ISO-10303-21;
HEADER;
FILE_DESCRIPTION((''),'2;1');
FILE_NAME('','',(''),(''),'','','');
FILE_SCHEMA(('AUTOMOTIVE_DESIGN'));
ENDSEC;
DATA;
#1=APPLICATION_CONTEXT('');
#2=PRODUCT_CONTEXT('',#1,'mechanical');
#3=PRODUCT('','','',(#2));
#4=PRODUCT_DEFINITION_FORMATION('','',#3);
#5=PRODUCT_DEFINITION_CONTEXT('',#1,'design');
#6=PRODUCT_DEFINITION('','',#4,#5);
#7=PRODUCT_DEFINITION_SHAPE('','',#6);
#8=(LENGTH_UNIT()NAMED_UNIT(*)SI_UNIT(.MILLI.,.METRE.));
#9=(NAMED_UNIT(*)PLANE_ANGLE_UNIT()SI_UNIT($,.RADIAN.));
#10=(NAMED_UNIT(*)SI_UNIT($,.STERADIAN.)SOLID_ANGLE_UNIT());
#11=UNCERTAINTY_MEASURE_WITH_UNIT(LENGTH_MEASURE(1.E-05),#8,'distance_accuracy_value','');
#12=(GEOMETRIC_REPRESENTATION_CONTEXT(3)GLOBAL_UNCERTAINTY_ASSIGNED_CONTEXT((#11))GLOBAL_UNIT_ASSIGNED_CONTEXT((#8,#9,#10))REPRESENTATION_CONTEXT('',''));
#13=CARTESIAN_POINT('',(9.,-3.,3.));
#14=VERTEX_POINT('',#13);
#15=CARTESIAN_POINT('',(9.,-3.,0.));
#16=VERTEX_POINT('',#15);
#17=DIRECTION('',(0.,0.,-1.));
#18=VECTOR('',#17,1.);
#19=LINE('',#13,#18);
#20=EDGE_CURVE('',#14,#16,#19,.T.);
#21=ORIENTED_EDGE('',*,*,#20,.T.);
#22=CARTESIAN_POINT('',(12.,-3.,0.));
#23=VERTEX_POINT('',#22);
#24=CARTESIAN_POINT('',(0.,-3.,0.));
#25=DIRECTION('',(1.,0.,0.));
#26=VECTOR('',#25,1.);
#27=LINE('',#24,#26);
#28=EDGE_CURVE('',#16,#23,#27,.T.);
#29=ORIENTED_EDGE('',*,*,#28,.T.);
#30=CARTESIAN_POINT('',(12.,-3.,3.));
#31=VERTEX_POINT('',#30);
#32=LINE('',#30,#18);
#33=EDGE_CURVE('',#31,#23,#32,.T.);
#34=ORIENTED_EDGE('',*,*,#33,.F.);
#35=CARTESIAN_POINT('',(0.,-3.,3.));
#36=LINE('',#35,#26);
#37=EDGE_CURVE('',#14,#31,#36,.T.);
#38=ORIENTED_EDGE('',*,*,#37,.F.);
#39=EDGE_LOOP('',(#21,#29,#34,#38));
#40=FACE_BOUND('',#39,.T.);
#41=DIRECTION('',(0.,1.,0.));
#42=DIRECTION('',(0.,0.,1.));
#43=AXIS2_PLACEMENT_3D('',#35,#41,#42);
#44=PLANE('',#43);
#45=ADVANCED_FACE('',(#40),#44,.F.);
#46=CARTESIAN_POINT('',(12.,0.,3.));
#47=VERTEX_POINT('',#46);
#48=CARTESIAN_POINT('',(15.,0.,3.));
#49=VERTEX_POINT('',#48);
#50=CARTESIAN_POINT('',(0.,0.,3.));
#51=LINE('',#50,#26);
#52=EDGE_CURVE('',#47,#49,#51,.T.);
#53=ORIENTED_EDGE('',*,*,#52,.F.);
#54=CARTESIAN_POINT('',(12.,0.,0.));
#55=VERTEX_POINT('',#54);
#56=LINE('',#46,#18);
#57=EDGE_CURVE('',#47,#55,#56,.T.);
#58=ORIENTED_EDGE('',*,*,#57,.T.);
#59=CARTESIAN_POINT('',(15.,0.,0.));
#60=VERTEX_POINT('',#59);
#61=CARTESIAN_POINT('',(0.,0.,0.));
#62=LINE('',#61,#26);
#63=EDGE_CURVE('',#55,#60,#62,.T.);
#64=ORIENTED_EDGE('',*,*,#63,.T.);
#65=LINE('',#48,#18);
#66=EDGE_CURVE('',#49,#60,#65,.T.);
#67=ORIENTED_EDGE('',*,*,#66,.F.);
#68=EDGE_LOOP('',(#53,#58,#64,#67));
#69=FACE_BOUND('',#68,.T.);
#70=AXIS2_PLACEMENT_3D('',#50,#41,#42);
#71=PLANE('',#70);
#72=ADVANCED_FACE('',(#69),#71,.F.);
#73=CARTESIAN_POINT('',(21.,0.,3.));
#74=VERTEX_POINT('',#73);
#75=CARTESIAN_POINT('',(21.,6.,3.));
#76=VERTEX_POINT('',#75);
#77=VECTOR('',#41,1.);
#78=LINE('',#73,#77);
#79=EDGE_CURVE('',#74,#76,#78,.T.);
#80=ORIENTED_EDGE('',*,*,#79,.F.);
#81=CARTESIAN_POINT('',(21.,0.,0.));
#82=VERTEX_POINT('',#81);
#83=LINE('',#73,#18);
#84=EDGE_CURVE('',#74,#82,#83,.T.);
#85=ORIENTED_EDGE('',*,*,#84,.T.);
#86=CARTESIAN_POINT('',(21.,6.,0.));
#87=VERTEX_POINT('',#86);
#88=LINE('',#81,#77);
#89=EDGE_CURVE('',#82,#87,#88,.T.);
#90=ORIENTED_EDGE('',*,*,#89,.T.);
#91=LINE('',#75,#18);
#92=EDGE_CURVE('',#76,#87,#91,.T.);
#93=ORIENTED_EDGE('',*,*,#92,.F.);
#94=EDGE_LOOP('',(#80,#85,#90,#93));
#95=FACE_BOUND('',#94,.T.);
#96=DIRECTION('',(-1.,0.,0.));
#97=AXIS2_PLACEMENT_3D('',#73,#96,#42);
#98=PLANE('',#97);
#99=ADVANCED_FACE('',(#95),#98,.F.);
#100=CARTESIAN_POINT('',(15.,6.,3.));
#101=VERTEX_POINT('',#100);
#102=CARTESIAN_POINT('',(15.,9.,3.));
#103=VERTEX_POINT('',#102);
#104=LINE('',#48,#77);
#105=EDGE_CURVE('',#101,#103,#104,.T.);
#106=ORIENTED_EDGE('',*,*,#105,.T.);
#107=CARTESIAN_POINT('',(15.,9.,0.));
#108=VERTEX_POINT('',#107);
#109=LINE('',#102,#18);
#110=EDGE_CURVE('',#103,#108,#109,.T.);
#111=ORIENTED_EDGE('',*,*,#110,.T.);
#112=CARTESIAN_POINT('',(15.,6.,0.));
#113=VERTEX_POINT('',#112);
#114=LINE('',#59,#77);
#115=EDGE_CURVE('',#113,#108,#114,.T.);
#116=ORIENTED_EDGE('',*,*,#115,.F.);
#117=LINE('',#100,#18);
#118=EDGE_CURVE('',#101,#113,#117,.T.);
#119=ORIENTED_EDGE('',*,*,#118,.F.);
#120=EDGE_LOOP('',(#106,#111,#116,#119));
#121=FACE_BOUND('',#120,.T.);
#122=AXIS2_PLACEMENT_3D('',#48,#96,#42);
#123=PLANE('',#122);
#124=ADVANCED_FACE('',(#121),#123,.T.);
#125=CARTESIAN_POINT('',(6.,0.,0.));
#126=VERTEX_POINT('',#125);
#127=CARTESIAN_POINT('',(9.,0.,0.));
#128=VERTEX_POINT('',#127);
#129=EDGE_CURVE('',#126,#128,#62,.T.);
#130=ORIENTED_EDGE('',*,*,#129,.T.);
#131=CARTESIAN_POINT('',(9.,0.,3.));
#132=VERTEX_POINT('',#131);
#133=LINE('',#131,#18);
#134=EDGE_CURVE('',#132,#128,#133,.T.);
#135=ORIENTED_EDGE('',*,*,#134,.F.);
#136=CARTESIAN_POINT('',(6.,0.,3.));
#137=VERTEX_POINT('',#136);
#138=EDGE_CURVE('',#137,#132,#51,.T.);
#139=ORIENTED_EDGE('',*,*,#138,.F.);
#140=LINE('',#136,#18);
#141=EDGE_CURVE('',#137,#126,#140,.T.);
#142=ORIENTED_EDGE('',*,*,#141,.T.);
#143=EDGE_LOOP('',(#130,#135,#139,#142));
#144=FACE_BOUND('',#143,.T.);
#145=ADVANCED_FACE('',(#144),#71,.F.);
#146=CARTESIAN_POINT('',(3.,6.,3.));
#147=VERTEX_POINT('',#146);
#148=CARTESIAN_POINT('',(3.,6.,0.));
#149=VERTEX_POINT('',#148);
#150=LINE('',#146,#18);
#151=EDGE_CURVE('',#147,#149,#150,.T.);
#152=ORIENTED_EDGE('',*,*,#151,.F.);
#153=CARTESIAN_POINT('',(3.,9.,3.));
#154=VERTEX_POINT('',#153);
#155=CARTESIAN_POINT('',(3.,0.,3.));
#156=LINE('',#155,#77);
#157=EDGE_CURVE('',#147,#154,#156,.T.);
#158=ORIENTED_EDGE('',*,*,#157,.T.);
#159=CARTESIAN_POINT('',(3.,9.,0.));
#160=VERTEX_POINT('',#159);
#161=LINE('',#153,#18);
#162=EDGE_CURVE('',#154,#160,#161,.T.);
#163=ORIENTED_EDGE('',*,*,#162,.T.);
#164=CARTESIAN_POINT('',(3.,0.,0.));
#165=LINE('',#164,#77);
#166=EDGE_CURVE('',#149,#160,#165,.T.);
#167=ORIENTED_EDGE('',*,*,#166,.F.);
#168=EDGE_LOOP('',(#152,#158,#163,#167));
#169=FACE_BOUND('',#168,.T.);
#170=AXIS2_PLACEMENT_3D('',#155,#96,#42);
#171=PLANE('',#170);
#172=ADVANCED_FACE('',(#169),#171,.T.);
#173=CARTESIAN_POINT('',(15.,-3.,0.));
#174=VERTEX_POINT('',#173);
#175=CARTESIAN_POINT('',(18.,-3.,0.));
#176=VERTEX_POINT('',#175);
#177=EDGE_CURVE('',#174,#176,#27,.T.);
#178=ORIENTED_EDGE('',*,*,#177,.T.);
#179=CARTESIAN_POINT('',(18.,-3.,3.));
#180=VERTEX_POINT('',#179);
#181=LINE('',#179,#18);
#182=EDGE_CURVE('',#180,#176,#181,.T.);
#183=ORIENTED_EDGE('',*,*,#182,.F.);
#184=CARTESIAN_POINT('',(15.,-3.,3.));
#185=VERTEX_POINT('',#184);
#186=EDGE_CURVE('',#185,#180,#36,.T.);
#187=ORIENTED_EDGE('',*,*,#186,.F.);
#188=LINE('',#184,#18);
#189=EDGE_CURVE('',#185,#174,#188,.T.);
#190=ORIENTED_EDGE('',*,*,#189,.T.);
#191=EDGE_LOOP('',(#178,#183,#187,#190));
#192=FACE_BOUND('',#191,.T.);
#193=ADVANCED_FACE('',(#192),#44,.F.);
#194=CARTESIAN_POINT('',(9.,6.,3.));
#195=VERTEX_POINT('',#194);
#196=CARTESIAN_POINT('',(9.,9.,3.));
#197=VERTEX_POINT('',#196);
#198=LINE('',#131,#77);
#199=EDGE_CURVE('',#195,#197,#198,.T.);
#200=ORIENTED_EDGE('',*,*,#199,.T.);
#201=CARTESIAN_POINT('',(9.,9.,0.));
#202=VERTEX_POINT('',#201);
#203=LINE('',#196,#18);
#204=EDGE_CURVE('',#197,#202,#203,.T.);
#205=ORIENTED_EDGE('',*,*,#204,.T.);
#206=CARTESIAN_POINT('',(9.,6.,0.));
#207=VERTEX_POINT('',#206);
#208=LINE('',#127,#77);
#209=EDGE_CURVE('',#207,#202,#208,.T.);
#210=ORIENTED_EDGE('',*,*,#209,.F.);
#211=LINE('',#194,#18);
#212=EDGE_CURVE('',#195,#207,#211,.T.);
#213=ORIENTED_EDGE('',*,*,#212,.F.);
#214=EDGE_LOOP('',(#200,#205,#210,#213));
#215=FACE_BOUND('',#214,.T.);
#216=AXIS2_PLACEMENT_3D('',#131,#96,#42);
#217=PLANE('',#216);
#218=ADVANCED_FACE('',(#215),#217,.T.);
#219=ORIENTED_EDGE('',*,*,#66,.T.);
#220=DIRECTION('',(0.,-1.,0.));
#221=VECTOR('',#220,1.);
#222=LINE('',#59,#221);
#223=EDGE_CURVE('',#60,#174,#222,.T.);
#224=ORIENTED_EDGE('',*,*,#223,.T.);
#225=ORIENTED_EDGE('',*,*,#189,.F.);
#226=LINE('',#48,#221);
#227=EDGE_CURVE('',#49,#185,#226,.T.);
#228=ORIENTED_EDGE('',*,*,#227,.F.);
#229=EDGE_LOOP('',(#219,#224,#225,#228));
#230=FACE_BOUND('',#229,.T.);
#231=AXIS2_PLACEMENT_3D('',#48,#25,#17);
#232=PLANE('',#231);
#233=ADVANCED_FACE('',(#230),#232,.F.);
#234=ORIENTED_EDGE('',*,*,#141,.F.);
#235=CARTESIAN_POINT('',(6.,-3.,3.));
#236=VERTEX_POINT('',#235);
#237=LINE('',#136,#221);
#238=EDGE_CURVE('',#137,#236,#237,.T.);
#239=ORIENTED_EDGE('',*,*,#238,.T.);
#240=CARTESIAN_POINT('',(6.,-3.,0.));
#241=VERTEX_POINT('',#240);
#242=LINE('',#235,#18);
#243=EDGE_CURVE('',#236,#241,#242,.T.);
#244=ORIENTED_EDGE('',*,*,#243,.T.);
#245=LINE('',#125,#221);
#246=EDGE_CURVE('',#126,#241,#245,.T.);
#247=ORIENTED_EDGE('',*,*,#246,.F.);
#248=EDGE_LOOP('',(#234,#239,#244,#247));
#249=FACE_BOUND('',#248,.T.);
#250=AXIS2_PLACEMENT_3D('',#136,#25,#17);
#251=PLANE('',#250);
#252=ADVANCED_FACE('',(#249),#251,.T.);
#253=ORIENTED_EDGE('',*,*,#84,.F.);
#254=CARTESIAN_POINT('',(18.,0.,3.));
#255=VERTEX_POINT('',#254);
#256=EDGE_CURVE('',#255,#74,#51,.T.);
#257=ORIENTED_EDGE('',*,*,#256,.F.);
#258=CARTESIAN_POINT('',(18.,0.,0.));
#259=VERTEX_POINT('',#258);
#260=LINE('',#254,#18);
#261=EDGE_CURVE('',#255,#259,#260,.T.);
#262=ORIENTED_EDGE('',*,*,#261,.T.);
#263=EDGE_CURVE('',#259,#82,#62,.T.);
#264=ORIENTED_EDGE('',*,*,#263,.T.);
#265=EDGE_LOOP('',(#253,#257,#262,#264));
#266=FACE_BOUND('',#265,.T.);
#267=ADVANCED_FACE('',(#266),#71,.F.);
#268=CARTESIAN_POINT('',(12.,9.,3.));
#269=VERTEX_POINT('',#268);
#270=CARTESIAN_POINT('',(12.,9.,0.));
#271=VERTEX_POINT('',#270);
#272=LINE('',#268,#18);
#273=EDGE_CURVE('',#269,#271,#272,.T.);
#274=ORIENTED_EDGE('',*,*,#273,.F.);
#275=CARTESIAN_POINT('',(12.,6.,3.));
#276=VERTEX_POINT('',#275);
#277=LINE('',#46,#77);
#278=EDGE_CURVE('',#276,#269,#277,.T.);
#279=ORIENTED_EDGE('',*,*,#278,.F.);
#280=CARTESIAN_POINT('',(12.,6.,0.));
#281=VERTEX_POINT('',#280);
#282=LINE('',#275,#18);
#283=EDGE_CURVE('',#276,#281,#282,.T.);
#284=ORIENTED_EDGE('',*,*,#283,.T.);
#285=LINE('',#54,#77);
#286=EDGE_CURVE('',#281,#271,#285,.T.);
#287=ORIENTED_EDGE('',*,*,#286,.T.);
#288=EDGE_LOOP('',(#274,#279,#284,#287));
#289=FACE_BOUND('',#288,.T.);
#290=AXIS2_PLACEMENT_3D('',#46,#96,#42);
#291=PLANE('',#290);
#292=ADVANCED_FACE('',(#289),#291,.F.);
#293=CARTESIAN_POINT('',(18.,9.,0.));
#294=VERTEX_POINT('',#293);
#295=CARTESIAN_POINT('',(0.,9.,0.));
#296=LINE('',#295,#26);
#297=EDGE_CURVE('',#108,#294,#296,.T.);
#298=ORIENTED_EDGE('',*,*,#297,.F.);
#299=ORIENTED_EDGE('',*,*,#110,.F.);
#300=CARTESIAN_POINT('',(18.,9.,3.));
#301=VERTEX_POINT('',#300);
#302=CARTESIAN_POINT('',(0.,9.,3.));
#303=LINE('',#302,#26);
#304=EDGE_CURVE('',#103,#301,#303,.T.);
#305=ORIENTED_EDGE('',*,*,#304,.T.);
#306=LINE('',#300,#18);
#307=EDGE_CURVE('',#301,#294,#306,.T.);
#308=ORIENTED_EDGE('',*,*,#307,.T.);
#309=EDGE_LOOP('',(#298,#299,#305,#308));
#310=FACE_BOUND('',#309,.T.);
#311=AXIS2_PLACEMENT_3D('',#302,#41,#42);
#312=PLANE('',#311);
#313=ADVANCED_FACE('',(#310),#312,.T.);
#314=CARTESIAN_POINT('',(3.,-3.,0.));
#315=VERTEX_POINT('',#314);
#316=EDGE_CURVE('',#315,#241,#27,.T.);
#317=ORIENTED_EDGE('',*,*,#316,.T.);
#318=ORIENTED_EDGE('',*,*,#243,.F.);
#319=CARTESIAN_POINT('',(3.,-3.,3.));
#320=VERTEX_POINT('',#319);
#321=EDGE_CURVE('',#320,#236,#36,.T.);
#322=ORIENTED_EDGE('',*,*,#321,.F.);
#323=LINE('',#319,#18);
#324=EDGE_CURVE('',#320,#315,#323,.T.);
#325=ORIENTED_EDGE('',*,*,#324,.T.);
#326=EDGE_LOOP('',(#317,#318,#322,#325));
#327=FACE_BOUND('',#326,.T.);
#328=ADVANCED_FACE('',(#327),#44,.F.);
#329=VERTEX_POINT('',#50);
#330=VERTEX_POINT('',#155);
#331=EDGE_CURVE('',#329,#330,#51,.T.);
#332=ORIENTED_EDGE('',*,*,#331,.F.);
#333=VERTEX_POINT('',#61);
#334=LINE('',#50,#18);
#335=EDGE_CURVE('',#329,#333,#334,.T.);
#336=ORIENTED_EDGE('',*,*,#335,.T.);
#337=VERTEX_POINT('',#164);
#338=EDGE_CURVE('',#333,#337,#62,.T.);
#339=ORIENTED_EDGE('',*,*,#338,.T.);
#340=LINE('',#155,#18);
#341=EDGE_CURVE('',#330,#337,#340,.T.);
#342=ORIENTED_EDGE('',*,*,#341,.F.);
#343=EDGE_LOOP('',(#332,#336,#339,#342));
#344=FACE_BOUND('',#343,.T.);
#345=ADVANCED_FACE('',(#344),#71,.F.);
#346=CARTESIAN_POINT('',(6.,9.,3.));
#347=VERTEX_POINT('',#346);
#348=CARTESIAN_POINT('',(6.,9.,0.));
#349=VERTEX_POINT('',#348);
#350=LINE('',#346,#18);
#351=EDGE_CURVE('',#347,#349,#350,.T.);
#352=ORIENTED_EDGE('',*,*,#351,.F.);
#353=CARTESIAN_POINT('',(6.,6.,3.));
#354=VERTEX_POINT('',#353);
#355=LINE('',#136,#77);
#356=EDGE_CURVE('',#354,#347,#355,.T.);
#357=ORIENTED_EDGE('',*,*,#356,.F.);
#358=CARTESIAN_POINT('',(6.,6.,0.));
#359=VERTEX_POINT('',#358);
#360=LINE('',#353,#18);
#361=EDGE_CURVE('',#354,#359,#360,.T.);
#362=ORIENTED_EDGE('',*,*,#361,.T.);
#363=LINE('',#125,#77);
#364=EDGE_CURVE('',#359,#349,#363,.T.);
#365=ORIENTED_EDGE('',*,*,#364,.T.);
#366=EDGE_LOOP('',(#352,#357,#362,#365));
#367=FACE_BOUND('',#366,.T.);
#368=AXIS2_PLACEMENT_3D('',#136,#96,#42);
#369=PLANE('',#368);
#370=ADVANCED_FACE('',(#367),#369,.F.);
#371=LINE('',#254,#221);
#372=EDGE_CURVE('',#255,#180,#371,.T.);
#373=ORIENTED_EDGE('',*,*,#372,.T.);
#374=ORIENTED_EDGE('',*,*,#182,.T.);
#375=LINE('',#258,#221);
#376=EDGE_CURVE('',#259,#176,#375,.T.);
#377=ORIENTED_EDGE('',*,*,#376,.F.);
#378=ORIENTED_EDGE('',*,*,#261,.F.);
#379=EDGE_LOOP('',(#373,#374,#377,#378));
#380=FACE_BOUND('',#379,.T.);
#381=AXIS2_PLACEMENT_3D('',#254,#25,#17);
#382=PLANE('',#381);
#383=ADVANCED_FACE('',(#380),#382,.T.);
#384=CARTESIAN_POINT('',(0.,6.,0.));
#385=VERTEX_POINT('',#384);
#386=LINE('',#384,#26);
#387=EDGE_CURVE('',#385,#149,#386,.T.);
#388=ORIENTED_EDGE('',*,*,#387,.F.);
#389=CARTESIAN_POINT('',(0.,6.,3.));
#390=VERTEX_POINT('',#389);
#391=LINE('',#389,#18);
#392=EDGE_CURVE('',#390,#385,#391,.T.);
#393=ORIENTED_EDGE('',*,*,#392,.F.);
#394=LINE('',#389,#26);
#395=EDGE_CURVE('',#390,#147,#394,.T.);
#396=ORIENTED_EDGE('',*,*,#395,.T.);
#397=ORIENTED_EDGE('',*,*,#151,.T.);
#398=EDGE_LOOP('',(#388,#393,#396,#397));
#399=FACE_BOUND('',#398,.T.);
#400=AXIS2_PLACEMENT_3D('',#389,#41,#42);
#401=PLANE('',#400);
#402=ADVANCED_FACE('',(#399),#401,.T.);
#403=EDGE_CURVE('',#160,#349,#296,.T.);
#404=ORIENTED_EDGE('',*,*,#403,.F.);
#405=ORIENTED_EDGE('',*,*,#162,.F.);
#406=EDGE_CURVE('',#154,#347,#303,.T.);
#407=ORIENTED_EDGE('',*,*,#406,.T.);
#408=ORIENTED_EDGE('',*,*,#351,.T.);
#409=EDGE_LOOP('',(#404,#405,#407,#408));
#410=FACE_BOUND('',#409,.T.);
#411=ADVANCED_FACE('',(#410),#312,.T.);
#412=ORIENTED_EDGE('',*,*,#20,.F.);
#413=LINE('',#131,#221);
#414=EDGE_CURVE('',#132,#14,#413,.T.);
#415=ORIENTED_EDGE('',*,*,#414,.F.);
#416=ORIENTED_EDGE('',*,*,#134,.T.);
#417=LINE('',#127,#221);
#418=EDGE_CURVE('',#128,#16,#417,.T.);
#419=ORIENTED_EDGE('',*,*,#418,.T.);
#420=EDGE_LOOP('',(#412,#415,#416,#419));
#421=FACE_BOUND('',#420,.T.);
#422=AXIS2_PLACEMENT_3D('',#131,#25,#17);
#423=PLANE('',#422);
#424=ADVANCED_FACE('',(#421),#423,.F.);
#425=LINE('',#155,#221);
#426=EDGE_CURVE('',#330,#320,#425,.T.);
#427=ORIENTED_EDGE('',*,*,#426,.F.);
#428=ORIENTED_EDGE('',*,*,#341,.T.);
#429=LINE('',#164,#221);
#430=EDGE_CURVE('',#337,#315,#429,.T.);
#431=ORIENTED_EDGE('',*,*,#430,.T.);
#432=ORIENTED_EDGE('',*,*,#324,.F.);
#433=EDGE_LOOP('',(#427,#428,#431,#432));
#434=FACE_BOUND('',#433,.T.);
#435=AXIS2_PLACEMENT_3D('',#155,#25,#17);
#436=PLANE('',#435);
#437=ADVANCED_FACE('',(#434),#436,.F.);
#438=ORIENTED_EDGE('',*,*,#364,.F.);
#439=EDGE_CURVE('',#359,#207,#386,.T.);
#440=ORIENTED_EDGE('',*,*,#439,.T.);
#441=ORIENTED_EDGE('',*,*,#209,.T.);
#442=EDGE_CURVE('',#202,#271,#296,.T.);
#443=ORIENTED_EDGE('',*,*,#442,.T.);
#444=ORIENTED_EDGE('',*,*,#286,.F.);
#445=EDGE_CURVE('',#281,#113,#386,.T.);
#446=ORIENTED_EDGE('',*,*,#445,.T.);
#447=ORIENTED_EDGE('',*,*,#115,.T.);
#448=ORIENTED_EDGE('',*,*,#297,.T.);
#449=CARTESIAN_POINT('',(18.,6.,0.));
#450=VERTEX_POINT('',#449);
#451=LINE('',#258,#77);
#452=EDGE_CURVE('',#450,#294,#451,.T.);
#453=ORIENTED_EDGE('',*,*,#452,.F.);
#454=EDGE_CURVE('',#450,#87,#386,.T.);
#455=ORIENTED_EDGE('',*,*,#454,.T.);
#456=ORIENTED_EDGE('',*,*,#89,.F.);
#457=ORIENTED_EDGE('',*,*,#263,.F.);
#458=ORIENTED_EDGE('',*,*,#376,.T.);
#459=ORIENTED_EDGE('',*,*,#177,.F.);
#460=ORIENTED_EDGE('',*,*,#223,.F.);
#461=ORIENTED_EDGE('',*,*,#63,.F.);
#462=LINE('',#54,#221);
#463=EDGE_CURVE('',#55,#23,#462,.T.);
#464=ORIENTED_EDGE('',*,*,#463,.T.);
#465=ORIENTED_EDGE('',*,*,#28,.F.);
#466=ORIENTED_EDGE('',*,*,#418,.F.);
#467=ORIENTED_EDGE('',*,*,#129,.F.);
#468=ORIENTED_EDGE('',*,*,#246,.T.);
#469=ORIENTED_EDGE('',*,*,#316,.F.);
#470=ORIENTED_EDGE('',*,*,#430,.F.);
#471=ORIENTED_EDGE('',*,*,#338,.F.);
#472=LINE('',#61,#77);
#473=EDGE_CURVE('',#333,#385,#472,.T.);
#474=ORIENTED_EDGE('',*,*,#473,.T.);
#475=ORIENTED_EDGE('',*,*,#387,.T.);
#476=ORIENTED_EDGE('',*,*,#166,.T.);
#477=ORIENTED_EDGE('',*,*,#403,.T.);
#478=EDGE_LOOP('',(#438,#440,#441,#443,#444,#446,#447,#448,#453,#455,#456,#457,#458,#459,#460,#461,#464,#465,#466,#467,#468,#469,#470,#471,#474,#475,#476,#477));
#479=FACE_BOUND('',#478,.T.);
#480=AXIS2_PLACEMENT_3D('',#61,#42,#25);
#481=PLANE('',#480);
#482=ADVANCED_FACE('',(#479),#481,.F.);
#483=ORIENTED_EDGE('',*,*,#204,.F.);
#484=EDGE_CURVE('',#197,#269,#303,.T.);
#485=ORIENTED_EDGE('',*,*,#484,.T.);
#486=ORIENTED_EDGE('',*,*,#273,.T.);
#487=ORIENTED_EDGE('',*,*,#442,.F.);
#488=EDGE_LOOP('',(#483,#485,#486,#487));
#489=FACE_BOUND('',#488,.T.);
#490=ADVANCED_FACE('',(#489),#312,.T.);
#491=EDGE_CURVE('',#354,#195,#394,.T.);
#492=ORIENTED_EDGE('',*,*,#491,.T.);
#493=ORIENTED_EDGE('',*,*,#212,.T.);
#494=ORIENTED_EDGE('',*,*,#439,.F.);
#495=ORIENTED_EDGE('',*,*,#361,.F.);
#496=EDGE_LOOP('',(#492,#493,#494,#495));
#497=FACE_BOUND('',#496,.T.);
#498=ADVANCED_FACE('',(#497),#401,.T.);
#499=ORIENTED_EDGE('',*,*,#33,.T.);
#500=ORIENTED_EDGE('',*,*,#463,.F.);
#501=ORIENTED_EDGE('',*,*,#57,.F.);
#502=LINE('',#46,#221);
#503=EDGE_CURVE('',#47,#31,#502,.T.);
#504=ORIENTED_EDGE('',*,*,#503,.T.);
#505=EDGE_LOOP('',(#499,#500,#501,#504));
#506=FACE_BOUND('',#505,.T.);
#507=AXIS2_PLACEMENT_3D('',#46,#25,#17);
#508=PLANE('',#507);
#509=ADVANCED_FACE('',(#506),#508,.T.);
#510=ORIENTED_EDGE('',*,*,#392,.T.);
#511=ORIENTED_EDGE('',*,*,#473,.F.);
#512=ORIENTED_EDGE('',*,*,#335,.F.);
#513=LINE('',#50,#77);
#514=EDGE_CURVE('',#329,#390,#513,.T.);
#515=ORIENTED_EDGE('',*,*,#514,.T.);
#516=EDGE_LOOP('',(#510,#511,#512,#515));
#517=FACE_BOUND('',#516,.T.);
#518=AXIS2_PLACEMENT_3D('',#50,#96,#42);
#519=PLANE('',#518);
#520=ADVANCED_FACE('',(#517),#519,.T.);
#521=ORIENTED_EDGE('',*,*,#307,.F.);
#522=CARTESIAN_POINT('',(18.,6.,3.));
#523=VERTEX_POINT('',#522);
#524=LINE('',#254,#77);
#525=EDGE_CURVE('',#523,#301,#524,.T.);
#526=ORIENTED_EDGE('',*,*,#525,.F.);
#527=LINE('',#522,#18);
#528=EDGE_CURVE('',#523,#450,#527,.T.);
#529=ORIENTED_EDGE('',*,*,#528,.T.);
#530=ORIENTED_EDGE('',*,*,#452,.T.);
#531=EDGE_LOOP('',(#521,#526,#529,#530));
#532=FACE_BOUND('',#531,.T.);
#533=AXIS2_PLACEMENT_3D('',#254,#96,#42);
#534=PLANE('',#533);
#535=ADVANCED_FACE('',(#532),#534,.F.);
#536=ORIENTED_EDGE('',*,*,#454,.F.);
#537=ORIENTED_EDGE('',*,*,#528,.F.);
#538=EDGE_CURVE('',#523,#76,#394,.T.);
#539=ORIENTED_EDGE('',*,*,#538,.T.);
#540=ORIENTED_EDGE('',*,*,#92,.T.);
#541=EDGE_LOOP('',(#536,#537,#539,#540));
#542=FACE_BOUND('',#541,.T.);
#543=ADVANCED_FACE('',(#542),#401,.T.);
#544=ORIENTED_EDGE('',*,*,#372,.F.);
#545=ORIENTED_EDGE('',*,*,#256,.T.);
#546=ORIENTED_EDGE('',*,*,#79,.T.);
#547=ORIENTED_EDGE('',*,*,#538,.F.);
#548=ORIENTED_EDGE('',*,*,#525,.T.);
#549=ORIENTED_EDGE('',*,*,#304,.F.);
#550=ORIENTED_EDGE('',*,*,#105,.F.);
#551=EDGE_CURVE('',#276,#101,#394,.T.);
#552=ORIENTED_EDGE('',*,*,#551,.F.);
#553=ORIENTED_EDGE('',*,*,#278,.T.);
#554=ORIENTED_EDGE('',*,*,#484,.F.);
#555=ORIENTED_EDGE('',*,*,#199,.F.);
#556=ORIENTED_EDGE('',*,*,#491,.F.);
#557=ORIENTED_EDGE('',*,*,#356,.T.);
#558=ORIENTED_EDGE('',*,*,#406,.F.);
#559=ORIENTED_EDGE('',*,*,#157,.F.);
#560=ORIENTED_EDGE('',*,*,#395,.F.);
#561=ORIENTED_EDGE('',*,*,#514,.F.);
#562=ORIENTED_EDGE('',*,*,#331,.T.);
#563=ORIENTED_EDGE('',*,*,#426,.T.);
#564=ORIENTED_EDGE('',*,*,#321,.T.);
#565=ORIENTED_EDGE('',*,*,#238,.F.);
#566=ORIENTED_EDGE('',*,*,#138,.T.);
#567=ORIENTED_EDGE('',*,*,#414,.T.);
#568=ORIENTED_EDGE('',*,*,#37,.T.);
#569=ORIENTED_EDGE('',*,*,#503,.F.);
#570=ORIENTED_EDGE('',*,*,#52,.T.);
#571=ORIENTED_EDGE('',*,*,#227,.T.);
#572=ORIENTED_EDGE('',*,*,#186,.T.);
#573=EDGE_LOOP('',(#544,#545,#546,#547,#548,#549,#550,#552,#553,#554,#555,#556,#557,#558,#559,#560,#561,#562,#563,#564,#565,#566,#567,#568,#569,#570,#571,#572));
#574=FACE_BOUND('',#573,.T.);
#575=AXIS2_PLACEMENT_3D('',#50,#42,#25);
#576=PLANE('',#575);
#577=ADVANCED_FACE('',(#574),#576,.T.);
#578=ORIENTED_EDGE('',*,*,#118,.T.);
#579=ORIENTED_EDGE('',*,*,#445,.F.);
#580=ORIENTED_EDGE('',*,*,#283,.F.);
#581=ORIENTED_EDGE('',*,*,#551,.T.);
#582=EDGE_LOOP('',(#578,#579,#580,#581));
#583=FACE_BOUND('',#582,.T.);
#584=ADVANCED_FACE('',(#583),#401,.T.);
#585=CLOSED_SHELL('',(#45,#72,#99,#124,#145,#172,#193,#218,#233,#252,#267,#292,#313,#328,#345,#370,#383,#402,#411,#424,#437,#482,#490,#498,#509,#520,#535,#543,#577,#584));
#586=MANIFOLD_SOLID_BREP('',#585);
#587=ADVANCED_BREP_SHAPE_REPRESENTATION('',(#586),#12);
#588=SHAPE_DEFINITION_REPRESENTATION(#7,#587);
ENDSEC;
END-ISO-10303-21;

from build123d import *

# Parameters (mm, degrees)
BOSS_EXTRU_1_DEPTH = 3


with BuildPart() as part:
    # Esquisse1 → Boss.-Extru.1 (new body)
    with BuildSketch(Plane.XY):
        Polygon((9, 9), (9, 6), (6, 6), (6, 9), (3, 9), (3, 6), (0, 6), (0, 0), (3, 0), (3, -3), (6, -3), (6, 0), (9, 0), (9, -3), (12, -3), (12, 0), (15, 0), (15, -3), (18, -3), (18, 0), (21, 0), (21, 6), (18, 6), (18, 9), (15, 9), (15, 6), (12, 6), (12, 9), align=None)
    extrude(amount=BOSS_EXTRU_1_DEPTH)


solid = part.part
